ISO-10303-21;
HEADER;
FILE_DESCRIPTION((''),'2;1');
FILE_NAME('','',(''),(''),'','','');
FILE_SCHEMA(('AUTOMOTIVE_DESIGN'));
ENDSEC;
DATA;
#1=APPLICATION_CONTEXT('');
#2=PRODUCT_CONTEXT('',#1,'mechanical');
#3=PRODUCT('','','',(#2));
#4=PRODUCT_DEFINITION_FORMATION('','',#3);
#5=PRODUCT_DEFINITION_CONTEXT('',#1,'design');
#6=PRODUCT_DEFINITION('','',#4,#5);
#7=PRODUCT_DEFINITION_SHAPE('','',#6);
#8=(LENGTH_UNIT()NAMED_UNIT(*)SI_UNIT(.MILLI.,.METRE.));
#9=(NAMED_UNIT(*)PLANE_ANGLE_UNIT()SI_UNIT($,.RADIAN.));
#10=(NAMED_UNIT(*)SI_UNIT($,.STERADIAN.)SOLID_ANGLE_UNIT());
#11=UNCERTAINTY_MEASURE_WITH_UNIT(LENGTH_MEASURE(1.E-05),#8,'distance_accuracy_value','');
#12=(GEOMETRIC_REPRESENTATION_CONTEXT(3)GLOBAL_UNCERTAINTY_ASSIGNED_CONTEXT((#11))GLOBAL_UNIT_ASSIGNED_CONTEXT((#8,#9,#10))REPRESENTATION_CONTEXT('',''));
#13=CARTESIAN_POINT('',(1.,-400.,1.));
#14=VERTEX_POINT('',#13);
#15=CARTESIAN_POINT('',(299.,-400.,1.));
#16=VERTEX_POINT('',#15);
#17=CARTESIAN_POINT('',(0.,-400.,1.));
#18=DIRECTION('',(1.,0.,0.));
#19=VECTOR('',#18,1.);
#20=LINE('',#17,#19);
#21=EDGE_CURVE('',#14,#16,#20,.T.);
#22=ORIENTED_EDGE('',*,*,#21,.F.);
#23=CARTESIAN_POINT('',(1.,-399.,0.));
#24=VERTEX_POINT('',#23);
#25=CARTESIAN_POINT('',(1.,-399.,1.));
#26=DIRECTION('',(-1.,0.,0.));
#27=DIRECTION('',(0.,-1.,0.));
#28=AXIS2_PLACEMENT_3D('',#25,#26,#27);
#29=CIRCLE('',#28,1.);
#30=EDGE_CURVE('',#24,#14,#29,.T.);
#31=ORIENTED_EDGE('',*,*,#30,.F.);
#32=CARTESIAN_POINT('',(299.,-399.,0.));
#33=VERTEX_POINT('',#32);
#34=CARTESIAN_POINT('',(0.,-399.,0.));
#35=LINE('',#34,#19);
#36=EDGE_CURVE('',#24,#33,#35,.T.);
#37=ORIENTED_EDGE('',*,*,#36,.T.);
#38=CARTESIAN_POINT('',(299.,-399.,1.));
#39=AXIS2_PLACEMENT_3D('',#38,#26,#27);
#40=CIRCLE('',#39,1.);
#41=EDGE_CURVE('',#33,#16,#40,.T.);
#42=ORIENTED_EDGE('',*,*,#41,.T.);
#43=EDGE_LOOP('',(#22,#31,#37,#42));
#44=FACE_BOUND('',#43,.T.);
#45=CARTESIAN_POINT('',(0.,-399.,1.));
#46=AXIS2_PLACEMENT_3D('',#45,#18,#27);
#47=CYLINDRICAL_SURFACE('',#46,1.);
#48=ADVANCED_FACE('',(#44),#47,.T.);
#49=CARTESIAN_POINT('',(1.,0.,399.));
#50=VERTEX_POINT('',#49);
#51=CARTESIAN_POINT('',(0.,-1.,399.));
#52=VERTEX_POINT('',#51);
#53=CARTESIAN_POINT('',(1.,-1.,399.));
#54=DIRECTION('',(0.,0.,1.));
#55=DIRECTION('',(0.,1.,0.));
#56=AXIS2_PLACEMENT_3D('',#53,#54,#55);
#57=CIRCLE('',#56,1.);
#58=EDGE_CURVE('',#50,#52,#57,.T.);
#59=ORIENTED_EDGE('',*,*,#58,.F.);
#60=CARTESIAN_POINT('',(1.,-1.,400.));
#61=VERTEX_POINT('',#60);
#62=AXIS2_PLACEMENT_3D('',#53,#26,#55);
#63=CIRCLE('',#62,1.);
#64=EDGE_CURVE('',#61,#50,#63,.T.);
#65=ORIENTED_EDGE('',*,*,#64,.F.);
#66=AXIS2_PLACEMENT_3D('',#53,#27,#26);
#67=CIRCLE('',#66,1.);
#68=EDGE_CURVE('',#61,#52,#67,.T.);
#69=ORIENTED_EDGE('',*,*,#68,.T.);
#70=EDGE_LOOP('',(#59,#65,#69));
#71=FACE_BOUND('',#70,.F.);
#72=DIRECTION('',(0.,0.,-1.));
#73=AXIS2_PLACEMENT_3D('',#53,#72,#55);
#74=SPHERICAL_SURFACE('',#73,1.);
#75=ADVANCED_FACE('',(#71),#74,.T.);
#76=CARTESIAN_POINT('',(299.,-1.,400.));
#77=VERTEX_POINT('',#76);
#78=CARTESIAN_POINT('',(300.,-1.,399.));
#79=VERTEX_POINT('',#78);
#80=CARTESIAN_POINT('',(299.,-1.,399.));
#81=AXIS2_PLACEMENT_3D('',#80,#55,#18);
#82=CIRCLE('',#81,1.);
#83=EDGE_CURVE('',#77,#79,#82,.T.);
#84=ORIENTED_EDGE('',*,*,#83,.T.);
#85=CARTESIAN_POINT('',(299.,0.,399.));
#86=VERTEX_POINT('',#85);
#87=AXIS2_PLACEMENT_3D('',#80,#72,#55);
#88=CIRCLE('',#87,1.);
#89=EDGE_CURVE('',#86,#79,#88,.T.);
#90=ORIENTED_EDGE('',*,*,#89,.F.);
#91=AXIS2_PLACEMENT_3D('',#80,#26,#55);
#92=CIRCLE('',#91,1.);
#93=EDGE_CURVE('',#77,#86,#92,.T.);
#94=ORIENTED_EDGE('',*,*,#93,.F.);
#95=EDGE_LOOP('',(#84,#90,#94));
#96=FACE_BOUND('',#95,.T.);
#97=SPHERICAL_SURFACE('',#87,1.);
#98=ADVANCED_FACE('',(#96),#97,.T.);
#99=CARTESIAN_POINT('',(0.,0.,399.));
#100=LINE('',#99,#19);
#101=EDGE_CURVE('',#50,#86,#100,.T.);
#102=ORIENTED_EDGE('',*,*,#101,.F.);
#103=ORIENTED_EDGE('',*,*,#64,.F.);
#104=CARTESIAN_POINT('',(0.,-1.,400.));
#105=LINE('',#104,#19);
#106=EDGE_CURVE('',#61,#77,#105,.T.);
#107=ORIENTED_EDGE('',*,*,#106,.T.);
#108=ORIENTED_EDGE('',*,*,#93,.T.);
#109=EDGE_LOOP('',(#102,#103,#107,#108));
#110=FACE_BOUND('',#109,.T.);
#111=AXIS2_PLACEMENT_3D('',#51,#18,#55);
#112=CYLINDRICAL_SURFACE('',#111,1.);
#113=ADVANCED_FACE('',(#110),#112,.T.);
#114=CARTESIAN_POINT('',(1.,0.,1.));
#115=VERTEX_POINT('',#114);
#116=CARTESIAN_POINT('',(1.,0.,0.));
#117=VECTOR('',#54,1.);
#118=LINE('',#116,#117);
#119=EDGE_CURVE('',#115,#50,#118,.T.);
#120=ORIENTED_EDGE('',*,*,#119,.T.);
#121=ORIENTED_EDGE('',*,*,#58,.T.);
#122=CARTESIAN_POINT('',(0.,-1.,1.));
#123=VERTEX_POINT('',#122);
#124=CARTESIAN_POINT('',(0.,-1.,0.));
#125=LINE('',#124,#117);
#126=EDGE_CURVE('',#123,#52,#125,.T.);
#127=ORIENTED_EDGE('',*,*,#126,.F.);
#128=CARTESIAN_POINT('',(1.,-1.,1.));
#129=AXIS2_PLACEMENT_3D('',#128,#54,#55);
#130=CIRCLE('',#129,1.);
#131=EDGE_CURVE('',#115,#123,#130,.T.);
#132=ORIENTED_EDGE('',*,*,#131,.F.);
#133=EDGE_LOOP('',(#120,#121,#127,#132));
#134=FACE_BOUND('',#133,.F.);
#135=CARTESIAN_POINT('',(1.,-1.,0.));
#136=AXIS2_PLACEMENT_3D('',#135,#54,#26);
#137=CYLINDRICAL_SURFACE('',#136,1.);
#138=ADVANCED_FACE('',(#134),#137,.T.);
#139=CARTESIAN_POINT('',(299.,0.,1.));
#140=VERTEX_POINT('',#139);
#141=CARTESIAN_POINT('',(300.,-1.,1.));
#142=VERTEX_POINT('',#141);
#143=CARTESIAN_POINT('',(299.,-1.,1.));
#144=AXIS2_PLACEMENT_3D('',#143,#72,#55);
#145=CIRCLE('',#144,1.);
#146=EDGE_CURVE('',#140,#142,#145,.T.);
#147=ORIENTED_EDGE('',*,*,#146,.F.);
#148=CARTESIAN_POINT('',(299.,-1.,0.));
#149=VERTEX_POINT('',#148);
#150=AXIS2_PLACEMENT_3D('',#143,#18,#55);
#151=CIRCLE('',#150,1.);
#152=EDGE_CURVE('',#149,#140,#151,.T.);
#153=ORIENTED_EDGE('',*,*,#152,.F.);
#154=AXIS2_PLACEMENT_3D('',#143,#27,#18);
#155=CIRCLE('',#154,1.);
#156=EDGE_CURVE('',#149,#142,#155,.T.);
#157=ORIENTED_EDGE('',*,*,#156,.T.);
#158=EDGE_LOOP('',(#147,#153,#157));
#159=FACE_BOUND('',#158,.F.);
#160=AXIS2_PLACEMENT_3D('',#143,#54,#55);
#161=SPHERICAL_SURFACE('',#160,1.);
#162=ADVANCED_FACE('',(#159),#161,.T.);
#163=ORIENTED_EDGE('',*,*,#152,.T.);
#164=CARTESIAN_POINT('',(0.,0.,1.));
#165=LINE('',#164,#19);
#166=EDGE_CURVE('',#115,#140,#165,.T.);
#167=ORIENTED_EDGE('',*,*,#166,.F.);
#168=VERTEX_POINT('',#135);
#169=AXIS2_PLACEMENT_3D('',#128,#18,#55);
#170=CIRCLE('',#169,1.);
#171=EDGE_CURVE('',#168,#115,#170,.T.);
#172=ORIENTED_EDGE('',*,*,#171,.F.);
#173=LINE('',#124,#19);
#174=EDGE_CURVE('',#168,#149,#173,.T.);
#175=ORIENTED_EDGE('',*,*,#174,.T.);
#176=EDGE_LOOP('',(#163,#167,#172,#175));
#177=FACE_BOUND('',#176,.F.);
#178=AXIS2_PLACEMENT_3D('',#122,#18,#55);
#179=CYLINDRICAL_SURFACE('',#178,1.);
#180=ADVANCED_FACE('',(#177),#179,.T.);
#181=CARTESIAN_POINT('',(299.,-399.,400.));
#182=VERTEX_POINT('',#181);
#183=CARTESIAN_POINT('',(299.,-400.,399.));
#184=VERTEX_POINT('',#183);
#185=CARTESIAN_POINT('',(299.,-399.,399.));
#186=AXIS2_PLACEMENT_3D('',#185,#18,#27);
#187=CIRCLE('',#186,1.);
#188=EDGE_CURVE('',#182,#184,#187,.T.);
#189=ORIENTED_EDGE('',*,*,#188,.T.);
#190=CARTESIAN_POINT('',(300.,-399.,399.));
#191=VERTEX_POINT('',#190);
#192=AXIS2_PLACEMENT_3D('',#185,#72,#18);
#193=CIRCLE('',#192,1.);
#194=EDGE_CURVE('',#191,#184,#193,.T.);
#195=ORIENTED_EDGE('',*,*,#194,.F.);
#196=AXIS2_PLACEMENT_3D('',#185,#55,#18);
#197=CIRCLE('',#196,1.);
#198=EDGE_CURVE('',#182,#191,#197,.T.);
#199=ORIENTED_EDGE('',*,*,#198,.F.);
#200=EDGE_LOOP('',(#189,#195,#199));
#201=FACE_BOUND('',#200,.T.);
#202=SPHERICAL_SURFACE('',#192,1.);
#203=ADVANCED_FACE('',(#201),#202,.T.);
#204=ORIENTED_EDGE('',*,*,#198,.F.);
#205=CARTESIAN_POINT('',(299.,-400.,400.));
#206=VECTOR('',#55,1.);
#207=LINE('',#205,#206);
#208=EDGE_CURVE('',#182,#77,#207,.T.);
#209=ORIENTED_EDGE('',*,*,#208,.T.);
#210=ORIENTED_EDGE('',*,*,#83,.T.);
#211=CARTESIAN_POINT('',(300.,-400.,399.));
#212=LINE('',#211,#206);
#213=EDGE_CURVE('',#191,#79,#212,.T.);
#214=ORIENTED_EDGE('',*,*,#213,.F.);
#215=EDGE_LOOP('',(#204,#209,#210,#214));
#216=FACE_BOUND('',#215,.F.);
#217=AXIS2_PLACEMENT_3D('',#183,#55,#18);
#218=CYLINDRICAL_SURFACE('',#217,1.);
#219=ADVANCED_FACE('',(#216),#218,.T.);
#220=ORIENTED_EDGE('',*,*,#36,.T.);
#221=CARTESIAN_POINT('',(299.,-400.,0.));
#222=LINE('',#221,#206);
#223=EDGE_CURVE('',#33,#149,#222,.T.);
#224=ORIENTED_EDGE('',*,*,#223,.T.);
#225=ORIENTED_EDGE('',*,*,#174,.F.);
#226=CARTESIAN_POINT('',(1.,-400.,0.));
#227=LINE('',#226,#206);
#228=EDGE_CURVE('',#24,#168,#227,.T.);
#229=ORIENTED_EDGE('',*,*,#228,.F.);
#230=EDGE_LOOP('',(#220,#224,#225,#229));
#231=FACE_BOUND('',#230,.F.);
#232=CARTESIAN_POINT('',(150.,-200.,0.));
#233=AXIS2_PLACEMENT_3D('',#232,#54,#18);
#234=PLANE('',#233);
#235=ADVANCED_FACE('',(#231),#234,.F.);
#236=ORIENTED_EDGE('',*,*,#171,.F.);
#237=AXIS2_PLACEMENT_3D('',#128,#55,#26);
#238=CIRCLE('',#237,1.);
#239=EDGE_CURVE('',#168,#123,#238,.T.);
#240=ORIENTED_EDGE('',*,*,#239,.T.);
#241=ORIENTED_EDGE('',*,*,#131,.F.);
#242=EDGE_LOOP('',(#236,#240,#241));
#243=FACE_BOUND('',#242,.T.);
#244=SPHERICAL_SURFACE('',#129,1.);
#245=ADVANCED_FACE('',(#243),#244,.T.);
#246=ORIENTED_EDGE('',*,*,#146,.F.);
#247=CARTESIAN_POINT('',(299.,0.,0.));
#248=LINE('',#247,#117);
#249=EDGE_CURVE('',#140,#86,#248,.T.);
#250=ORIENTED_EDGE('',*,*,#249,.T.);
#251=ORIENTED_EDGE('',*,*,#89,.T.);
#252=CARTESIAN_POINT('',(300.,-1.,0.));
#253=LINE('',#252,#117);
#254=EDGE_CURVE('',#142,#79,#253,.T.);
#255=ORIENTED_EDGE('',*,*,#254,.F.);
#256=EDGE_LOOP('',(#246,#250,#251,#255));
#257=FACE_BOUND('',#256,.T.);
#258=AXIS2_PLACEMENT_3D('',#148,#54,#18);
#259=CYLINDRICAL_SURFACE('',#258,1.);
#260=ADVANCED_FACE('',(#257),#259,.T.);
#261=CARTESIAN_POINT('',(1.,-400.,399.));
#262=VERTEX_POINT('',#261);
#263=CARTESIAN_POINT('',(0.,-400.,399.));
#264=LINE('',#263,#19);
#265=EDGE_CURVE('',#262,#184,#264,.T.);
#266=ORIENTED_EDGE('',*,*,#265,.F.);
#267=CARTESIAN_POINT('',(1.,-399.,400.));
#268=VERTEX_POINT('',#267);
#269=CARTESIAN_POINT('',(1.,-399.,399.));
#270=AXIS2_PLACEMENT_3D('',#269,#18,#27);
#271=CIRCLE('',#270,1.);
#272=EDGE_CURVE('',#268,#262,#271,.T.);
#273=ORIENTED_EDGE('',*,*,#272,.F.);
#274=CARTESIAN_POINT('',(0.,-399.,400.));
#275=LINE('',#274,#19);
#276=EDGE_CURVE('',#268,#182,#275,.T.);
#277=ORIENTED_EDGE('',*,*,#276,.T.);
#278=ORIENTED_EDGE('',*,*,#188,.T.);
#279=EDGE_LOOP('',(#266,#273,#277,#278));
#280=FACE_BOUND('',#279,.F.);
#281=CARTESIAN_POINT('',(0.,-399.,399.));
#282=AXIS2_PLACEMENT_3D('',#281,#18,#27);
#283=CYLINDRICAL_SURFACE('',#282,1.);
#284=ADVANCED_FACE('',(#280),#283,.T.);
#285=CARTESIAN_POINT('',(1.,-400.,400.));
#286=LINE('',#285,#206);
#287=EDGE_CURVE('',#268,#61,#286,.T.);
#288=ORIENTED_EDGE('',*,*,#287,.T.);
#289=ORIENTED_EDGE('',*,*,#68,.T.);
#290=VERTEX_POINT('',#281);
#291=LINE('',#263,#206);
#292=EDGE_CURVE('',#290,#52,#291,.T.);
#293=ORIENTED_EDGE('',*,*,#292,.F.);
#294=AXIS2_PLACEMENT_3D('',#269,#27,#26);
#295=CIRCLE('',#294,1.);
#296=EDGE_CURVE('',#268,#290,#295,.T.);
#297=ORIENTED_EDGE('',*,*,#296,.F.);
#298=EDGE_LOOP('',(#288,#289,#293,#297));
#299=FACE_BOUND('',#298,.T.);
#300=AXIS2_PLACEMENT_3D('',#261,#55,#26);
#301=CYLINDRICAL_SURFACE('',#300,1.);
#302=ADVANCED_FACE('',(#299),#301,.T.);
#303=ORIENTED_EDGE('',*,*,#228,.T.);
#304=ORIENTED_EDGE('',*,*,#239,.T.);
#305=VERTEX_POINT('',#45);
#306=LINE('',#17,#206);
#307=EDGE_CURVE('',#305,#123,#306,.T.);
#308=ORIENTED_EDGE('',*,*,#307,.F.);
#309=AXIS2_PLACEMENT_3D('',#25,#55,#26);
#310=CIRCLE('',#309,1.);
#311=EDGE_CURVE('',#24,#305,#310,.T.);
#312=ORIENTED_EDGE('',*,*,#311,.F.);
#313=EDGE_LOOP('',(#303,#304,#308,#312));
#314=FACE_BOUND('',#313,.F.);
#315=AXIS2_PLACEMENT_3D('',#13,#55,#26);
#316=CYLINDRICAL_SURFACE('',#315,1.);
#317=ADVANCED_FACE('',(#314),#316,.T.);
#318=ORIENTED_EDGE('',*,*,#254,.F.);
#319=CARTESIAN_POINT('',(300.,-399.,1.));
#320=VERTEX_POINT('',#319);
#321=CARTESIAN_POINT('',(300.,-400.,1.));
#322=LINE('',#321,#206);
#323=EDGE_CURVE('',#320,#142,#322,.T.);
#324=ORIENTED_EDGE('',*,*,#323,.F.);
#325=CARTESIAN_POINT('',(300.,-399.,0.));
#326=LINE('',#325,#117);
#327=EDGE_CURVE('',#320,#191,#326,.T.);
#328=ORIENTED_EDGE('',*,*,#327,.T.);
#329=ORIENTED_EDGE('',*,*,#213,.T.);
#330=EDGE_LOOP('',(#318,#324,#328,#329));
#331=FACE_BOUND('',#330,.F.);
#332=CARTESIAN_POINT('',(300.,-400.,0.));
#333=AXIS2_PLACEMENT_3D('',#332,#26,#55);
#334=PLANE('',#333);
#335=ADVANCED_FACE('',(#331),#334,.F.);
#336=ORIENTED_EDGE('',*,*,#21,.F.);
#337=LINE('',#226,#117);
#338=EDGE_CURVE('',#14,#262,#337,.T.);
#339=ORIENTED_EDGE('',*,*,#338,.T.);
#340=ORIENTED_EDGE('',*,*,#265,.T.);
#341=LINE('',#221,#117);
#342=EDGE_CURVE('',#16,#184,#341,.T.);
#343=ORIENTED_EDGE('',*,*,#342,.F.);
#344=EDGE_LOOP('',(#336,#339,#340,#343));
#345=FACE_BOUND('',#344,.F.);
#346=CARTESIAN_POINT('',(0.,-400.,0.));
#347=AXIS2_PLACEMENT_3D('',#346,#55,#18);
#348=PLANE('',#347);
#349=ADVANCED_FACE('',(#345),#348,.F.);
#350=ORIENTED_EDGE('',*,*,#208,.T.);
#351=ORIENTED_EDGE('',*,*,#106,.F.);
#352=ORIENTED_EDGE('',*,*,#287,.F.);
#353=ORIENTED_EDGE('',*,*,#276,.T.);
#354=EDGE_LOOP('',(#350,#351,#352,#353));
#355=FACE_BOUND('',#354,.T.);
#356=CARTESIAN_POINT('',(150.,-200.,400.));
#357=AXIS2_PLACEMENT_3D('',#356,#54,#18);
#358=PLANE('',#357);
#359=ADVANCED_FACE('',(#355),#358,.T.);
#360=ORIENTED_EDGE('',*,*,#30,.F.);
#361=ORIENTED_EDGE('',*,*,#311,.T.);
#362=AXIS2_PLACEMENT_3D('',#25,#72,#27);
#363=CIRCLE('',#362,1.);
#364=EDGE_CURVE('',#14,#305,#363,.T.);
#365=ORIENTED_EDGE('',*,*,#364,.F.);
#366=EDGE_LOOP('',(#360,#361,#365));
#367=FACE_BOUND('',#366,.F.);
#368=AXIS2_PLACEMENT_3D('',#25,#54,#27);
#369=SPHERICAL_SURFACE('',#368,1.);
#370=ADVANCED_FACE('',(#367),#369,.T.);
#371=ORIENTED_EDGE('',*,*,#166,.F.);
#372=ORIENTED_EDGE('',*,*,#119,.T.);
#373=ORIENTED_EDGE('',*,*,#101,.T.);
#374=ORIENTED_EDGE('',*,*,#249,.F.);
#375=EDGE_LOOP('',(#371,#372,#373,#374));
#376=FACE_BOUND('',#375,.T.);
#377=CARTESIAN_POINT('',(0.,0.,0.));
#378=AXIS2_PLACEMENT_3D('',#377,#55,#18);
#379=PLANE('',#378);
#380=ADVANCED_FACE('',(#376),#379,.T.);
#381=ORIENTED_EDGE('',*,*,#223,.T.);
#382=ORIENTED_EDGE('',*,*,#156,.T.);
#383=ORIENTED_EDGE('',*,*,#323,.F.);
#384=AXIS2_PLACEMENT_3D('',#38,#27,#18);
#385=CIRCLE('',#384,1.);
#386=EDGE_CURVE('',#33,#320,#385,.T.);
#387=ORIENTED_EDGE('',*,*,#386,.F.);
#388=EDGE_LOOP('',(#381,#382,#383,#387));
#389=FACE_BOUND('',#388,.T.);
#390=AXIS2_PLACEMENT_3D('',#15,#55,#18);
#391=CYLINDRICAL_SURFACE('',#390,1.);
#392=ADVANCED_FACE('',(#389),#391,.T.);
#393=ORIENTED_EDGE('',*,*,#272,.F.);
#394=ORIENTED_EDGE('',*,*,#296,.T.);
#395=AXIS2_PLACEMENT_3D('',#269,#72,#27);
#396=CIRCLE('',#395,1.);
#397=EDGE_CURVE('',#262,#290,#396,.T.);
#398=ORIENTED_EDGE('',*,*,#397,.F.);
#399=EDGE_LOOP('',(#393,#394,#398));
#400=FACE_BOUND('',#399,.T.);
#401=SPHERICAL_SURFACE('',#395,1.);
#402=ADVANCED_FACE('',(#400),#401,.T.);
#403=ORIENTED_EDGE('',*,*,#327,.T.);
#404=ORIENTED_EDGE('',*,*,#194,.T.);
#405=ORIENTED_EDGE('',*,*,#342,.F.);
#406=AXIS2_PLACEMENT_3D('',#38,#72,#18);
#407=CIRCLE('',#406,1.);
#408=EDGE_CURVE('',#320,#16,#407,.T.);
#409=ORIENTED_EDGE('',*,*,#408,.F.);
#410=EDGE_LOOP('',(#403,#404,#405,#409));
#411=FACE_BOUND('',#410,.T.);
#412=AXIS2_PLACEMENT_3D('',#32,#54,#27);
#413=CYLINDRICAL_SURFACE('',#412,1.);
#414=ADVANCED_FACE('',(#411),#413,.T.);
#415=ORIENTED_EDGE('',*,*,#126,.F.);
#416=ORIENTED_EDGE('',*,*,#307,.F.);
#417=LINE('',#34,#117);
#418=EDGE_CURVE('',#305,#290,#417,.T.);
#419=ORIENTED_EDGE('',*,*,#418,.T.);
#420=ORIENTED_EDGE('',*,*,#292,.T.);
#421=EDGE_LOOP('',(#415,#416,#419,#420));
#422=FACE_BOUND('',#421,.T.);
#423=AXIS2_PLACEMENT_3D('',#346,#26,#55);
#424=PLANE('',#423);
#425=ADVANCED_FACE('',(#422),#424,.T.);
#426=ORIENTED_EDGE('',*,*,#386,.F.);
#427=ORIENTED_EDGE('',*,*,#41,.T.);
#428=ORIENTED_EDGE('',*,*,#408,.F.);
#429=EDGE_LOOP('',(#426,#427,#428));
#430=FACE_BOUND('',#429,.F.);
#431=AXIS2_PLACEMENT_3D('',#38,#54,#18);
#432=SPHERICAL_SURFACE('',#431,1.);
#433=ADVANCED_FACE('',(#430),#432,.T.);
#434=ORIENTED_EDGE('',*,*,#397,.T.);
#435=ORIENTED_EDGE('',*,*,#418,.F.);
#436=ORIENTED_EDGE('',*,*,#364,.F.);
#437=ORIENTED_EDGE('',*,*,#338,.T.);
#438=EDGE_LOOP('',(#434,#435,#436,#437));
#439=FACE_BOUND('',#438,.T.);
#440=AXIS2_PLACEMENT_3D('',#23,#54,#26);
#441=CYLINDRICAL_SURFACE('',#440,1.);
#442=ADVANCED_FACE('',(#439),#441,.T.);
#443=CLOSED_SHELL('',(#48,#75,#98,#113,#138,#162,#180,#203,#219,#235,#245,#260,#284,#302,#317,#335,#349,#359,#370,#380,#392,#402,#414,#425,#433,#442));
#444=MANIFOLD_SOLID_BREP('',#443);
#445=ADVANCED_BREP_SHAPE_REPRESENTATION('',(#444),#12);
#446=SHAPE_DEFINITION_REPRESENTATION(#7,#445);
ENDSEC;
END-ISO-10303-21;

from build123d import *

# Parameters (mm, degrees)
SKETCH_W  = 300
SKETCH_H  = 400
PAD_DEPTH = 400
FILLET_R  = 1


with BuildPart() as part:
    # Sketch → Pad (new body)
    with BuildSketch(Plane.XY):
        with Locations((150, -200)):
            Rectangle(SKETCH_W, SKETCH_H)
    extrude(amount=PAD_DEPTH)

    # Fillet
    fillet_edges = [part.edges().sort_by_distance(p)[0] for p in [
        (0, 0, 200),
        (300, 0, 200),
        (150, 0, 0),
        (150, 0, 400),
        (300, -400, 200),
        (300, -200, 0),
        (300, -200, 400),
        (0, -400, 200),
        (150, -400, 0),
        (150, -400, 400),
        (0, -200, 0),
        (0, -200, 400),
    ]]
    fillet(fillet_edges, radius=FILLET_R)


solid = part.part
